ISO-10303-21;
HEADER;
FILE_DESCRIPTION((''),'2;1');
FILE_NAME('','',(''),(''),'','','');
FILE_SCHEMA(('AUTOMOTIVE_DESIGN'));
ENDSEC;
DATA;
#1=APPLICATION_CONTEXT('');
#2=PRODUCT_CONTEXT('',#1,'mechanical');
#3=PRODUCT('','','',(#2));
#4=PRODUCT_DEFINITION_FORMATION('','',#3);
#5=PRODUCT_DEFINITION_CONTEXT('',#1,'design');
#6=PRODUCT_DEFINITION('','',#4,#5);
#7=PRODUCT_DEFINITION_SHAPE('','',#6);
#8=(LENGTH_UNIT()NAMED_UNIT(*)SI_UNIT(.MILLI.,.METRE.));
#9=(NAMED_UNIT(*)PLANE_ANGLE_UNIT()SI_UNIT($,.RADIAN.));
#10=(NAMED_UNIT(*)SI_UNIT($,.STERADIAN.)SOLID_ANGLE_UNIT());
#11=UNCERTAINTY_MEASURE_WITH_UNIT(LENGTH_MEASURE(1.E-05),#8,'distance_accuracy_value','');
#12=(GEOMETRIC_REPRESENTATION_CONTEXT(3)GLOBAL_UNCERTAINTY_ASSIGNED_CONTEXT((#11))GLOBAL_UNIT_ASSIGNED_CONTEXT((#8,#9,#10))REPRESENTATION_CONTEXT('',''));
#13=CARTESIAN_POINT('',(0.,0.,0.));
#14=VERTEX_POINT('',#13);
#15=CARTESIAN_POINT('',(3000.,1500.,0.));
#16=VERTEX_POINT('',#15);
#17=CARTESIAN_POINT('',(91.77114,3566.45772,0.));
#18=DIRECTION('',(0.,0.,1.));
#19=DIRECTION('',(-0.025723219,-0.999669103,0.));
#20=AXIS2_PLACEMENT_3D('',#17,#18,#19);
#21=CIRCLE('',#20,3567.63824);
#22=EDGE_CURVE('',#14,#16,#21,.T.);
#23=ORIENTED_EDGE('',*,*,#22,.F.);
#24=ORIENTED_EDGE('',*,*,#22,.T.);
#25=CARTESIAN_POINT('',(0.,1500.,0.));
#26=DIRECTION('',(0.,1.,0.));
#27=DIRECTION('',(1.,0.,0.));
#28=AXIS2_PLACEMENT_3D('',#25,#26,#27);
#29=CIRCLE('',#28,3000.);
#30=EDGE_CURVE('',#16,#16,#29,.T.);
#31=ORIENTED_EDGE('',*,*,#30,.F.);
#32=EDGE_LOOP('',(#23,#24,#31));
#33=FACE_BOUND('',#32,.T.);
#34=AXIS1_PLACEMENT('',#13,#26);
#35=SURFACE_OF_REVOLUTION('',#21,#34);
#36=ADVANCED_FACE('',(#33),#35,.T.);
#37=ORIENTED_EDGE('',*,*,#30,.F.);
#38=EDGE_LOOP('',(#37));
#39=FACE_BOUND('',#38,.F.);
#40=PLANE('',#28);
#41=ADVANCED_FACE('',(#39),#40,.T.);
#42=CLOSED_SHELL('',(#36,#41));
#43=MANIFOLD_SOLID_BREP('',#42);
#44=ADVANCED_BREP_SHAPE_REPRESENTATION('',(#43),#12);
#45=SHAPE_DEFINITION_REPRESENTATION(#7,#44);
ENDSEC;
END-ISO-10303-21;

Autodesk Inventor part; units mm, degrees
ref_plane "YZ Plane" through (0, 0, 0) normal (1, 0, 0) x (0, 1, 0)
ref_plane "XZ Plane" through (0, 0, 0) normal (0, 1, 0) x (-1, 0, 0)
ref_plane "XY Plane" through (0, 0, 0) normal (0, 0, 1) x (1, 0, 0)
sketch "Boceto1" plane through (0, 0, 0) normal (0, 0, 1) x (1, 0, 0)
  line L0 (0, 0) -> (0, 1500)
  line L1 (0, 1500) -> (3000, 1500)
  arc A0 (0, 0) -> (3000, 1500) centre (91.7711, 3566.4579) ccw
  dimension "d1" = 1500
  dimension "d2" = 3000
revolve "Revolución1" add sketch "Boceto1" angle 360 about axis through (0, 0, 0) along (0, 1, 0)
properties part number "PARTE_INFERIOR_BALSA_FLOTABILIDAD_UNDIMOTRIZ"
